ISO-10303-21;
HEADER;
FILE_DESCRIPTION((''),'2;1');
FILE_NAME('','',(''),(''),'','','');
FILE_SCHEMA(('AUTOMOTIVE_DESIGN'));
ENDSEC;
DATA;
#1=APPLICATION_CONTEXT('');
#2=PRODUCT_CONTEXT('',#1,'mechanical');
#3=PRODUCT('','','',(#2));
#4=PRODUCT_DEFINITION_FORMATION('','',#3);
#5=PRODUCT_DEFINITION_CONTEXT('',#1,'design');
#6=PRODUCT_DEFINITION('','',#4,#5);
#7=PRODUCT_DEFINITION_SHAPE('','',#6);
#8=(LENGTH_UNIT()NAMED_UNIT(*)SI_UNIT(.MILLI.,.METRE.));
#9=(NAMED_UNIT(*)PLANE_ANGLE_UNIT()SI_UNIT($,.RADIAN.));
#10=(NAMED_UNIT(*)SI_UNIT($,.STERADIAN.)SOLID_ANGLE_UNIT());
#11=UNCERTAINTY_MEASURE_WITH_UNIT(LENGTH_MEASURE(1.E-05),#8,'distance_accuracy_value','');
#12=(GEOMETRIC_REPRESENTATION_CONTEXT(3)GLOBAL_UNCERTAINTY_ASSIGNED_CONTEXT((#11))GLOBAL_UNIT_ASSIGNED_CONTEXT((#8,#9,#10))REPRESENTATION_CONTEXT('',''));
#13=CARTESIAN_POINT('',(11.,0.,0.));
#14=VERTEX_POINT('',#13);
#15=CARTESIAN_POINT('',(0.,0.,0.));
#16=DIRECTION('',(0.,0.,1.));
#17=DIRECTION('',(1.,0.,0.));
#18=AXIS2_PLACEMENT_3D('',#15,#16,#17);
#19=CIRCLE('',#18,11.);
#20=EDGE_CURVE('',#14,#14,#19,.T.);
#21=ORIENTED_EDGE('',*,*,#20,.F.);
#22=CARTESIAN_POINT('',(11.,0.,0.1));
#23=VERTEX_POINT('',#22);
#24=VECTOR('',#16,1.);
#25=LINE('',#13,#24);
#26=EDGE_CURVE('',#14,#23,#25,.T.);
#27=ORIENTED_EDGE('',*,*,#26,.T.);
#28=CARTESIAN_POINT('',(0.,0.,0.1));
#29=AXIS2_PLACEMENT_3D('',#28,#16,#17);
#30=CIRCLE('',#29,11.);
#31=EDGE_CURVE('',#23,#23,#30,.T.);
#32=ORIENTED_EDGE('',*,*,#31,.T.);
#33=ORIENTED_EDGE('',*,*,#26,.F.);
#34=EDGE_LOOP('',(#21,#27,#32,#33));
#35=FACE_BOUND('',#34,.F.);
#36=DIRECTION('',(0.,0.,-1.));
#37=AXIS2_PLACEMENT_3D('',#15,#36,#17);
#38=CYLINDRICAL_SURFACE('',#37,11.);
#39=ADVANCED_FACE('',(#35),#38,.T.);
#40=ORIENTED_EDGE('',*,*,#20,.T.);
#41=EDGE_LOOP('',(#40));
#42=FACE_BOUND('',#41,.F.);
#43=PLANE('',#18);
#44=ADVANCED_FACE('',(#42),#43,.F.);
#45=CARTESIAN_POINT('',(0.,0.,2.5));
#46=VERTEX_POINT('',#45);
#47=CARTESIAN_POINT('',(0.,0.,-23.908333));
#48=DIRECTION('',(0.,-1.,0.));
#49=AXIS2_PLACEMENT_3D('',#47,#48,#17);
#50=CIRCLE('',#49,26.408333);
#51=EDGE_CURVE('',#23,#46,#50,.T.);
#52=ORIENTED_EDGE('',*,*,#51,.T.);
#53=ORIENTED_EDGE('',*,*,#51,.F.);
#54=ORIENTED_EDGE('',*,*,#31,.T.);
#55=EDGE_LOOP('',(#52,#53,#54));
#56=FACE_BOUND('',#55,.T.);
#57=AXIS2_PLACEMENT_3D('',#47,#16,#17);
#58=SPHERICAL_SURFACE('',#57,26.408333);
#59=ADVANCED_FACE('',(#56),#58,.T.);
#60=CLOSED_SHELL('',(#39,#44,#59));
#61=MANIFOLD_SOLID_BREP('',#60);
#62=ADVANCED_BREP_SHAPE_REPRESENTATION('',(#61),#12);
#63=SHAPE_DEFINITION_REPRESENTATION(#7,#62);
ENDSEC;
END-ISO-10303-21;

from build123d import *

# Parameters (mm, degrees)
ESQUISSE1_R       = 11
EXTRUSION2_DEPTH  = 0.1
D_ME2_FACE_RADIUS = 11
D_ME2_HEIGHT      = 2.4


with BuildPart() as part:
    # Esquisse1 → Extrusion2 (new body)
    with BuildSketch(Plane.XY):
        Circle(ESQUISSE1_R)
    extrude(amount=EXTRUSION2_DEPTH)

    # Dôme2: a dome of height H over a round flat face of radius A is a cap of a sphere of radius (A * A + H * H) / (2 * H)
    d_me2_r = (D_ME2_FACE_RADIUS * D_ME2_FACE_RADIUS + D_ME2_HEIGHT * D_ME2_HEIGHT) / (2 * D_ME2_HEIGHT)
    d_me2_base = Plane((0, 0, 0.1), z_dir=(0, 0, 1))
    with Locations(d_me2_base.offset(D_ME2_HEIGHT - d_me2_r)):
        d_me2_ball = Sphere(d_me2_r, mode=Mode.PRIVATE)
    add(split(d_me2_ball, bisect_by=d_me2_base, keep=Keep.TOP, mode=Mode.PRIVATE))


solid = part.part
